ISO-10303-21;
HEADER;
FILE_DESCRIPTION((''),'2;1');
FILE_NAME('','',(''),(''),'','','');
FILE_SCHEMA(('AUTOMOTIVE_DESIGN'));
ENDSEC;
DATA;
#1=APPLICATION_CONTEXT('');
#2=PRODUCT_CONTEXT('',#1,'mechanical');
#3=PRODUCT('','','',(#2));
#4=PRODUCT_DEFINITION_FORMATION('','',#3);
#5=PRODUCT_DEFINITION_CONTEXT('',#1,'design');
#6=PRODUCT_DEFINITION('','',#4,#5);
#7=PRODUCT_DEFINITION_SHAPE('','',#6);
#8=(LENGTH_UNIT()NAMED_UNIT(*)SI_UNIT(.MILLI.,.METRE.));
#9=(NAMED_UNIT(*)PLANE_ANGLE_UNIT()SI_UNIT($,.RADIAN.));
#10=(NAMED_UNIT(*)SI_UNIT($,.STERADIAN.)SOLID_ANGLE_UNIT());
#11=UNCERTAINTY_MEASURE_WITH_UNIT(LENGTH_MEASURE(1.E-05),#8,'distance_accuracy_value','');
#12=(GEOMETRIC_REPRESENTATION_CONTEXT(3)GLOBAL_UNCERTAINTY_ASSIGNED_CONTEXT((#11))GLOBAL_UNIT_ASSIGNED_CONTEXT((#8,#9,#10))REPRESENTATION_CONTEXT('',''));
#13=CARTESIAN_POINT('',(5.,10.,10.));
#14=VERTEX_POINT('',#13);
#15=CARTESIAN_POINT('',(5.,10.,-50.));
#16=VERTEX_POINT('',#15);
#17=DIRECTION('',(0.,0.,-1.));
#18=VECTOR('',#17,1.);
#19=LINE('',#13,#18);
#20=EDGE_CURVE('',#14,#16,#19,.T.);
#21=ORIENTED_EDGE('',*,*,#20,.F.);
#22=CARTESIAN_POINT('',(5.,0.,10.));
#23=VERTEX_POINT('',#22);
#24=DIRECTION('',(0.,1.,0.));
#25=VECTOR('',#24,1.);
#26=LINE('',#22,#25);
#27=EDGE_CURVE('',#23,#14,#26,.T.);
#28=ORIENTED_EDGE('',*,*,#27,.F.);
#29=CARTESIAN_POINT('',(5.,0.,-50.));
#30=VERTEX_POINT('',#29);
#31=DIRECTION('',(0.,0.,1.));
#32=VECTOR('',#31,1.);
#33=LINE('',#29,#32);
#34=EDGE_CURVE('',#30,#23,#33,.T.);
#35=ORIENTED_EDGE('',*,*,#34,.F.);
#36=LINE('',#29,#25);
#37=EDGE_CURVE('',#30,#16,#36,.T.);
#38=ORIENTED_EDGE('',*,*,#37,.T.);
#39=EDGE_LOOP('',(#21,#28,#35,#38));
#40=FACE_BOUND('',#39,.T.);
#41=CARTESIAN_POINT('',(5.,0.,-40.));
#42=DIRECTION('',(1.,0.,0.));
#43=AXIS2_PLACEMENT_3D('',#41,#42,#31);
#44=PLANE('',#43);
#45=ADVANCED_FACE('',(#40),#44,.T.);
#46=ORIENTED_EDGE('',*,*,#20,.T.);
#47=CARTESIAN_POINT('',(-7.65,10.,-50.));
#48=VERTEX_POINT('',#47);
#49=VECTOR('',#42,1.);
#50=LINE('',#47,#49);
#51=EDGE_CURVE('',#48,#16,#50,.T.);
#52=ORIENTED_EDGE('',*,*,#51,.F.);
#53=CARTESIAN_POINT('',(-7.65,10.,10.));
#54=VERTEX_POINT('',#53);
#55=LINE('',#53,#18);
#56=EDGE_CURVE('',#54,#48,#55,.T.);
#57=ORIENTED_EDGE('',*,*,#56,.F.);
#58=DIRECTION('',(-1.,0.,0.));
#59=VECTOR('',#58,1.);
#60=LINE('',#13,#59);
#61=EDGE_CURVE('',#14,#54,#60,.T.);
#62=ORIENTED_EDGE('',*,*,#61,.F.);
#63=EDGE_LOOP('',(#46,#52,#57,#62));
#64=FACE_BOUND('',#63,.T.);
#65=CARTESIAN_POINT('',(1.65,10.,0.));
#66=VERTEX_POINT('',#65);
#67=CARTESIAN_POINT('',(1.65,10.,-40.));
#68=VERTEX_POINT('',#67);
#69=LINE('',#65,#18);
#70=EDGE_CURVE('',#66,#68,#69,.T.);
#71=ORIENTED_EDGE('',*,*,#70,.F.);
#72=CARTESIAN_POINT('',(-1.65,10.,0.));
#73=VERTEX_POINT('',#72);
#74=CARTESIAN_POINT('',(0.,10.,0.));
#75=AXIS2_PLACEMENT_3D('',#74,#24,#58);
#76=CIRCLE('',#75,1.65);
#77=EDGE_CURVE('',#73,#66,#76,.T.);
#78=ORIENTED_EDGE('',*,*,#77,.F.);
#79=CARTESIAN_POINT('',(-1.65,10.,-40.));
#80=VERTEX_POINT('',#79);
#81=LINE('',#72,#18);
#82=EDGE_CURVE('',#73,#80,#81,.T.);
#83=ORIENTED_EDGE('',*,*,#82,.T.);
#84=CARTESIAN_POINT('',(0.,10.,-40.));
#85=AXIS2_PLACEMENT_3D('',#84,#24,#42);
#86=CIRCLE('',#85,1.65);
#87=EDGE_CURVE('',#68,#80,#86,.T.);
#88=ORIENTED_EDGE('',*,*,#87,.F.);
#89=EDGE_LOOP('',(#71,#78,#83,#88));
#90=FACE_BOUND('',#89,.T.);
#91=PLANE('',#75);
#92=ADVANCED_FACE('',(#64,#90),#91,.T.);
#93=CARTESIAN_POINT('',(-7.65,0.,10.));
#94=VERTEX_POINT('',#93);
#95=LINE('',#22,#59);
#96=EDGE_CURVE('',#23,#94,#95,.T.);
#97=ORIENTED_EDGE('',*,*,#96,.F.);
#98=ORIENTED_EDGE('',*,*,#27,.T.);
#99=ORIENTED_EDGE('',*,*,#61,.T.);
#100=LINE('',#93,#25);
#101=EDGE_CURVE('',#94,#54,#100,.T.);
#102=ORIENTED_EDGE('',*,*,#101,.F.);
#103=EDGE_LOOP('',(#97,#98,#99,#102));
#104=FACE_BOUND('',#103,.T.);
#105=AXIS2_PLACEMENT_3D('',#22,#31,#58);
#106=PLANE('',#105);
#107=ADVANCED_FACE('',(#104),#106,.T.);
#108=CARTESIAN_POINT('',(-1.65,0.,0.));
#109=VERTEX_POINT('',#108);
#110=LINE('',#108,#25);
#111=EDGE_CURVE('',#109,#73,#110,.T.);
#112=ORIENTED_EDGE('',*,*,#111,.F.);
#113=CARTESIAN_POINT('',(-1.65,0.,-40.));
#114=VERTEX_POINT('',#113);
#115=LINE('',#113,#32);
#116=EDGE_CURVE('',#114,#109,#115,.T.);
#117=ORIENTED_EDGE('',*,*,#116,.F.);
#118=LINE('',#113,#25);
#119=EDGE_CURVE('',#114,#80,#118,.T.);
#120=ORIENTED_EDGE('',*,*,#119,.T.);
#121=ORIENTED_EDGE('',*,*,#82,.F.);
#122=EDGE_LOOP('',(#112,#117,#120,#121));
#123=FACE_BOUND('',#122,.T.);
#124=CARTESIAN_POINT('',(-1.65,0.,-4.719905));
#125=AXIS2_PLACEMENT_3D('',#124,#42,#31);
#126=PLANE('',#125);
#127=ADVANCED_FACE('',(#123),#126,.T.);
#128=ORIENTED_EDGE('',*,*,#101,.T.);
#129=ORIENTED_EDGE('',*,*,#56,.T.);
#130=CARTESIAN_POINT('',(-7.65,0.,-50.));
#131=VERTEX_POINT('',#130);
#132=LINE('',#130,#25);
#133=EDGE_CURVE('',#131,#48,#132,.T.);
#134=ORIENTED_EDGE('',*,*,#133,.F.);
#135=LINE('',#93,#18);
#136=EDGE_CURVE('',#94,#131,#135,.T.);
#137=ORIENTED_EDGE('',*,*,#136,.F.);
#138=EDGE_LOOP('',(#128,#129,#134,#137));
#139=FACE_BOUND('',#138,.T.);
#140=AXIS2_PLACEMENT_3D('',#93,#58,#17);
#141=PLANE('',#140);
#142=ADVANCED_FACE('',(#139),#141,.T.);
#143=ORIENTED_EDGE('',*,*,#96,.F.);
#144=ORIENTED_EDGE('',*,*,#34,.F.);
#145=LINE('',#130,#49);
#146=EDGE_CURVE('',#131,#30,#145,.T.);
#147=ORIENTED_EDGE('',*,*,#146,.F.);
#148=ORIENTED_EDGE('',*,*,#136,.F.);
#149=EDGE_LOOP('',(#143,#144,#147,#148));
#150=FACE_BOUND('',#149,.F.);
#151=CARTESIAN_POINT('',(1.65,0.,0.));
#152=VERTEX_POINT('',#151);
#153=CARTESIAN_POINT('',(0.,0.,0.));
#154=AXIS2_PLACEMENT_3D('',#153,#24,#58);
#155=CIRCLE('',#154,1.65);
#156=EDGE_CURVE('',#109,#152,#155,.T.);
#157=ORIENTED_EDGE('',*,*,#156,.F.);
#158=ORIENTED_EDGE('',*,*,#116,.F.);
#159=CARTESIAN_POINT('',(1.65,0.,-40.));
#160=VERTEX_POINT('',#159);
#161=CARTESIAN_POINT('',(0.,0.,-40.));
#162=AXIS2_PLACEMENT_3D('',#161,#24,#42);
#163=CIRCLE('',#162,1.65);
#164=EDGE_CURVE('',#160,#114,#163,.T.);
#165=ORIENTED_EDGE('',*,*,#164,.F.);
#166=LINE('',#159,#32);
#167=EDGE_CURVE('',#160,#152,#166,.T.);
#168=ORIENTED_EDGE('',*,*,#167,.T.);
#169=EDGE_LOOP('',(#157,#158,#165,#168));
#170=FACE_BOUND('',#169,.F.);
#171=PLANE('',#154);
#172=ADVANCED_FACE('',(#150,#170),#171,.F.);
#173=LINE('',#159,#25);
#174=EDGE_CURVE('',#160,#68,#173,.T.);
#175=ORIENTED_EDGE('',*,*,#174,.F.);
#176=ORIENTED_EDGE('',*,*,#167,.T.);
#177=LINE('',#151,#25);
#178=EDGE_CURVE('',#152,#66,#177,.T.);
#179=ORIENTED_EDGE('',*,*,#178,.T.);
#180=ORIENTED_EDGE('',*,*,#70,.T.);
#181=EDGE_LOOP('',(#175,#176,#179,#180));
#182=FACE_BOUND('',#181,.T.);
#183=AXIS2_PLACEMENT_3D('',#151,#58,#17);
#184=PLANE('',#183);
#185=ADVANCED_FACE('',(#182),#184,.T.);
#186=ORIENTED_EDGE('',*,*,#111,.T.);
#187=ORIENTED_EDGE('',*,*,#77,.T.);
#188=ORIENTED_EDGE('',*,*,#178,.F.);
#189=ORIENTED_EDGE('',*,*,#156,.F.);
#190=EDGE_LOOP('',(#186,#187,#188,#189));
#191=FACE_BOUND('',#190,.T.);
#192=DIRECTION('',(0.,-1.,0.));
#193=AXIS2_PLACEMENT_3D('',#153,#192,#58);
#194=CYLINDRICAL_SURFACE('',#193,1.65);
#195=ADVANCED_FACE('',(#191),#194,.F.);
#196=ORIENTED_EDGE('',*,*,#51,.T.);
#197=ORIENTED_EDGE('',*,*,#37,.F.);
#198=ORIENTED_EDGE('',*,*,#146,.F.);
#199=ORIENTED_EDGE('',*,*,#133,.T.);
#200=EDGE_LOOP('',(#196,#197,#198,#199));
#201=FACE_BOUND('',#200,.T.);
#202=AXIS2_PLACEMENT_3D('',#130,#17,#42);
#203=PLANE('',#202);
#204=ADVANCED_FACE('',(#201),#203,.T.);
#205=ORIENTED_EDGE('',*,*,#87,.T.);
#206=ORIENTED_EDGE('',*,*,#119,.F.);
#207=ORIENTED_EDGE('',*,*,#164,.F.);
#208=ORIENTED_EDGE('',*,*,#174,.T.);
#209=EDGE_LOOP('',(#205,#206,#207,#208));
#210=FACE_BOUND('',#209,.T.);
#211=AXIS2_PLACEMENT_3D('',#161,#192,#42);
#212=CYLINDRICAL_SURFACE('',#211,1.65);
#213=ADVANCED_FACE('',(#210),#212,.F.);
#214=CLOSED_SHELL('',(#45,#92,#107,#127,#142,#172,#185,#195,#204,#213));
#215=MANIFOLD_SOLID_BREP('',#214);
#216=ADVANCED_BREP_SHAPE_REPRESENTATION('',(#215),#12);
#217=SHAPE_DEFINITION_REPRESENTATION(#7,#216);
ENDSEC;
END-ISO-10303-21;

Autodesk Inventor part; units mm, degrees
ref_plane "YZ Plane" through (0, 0, 0) normal (1, 0, 0) x (0, 1, 0)
ref_plane "XZ Plane" through (0, 0, 0) normal (0, 1, 0) x (-1, 0, 0)
ref_plane "XY Plane" through (0, 0, 0) normal (0, 0, 1) x (1, 0, 0)
sketch "Sketch1" plane through (0, 0, 0) normal (0, 1, 0) x (-1, 0, 0)
  line L0 (0, 0) -> (0, -40) construction
  line L1 (-1.65, 0) -> (-1.65, -40)
  line L2 (1.65, -40) -> (1.65, 0)
  arc A0 (1.65, 0) -> (-1.65, 0) centre (0, 0) ccw
  arc A1 (-1.65, -40) -> (1.65, -40) centre (0, -40) ccw
  line L3 (-5, 10) -> (7.65, 10)
  line L4 (7.65, 10) -> (7.65, -50)
  line L5 (7.65, -50) -> (-5, -50)
  line L6 (-5, -50) -> (-5, 10)
  circle A2 centre (0, -40) radius 5
  circle A3 centre (0, 0) radius 5
  point P0 (0, -20)
  dimension "d0" = 3.3
  dimension "d1" = 40
  dimension "d2" = 10
  dimension "d3" = 10
  dimension "d4" = 10
  dimension "d5" = 10
  dimension "d6" = 6
extrude "Extrusion1" add sketch "Sketch1" along normal blind 10 contours L1 A3 L2 A0 | L1 A2 L6 A3 | L1 A1 L2 A2 | L6 L3 L4 L5 A2 L2 A3 picked at (-2.0178, -2.9645) picked at (-2.0178, -37.0355)
ref_plane "Work Plane1" through (0, 0, 0) normal (1, 0, 0) x (0, 0, -1)
properties part number "Rail"
